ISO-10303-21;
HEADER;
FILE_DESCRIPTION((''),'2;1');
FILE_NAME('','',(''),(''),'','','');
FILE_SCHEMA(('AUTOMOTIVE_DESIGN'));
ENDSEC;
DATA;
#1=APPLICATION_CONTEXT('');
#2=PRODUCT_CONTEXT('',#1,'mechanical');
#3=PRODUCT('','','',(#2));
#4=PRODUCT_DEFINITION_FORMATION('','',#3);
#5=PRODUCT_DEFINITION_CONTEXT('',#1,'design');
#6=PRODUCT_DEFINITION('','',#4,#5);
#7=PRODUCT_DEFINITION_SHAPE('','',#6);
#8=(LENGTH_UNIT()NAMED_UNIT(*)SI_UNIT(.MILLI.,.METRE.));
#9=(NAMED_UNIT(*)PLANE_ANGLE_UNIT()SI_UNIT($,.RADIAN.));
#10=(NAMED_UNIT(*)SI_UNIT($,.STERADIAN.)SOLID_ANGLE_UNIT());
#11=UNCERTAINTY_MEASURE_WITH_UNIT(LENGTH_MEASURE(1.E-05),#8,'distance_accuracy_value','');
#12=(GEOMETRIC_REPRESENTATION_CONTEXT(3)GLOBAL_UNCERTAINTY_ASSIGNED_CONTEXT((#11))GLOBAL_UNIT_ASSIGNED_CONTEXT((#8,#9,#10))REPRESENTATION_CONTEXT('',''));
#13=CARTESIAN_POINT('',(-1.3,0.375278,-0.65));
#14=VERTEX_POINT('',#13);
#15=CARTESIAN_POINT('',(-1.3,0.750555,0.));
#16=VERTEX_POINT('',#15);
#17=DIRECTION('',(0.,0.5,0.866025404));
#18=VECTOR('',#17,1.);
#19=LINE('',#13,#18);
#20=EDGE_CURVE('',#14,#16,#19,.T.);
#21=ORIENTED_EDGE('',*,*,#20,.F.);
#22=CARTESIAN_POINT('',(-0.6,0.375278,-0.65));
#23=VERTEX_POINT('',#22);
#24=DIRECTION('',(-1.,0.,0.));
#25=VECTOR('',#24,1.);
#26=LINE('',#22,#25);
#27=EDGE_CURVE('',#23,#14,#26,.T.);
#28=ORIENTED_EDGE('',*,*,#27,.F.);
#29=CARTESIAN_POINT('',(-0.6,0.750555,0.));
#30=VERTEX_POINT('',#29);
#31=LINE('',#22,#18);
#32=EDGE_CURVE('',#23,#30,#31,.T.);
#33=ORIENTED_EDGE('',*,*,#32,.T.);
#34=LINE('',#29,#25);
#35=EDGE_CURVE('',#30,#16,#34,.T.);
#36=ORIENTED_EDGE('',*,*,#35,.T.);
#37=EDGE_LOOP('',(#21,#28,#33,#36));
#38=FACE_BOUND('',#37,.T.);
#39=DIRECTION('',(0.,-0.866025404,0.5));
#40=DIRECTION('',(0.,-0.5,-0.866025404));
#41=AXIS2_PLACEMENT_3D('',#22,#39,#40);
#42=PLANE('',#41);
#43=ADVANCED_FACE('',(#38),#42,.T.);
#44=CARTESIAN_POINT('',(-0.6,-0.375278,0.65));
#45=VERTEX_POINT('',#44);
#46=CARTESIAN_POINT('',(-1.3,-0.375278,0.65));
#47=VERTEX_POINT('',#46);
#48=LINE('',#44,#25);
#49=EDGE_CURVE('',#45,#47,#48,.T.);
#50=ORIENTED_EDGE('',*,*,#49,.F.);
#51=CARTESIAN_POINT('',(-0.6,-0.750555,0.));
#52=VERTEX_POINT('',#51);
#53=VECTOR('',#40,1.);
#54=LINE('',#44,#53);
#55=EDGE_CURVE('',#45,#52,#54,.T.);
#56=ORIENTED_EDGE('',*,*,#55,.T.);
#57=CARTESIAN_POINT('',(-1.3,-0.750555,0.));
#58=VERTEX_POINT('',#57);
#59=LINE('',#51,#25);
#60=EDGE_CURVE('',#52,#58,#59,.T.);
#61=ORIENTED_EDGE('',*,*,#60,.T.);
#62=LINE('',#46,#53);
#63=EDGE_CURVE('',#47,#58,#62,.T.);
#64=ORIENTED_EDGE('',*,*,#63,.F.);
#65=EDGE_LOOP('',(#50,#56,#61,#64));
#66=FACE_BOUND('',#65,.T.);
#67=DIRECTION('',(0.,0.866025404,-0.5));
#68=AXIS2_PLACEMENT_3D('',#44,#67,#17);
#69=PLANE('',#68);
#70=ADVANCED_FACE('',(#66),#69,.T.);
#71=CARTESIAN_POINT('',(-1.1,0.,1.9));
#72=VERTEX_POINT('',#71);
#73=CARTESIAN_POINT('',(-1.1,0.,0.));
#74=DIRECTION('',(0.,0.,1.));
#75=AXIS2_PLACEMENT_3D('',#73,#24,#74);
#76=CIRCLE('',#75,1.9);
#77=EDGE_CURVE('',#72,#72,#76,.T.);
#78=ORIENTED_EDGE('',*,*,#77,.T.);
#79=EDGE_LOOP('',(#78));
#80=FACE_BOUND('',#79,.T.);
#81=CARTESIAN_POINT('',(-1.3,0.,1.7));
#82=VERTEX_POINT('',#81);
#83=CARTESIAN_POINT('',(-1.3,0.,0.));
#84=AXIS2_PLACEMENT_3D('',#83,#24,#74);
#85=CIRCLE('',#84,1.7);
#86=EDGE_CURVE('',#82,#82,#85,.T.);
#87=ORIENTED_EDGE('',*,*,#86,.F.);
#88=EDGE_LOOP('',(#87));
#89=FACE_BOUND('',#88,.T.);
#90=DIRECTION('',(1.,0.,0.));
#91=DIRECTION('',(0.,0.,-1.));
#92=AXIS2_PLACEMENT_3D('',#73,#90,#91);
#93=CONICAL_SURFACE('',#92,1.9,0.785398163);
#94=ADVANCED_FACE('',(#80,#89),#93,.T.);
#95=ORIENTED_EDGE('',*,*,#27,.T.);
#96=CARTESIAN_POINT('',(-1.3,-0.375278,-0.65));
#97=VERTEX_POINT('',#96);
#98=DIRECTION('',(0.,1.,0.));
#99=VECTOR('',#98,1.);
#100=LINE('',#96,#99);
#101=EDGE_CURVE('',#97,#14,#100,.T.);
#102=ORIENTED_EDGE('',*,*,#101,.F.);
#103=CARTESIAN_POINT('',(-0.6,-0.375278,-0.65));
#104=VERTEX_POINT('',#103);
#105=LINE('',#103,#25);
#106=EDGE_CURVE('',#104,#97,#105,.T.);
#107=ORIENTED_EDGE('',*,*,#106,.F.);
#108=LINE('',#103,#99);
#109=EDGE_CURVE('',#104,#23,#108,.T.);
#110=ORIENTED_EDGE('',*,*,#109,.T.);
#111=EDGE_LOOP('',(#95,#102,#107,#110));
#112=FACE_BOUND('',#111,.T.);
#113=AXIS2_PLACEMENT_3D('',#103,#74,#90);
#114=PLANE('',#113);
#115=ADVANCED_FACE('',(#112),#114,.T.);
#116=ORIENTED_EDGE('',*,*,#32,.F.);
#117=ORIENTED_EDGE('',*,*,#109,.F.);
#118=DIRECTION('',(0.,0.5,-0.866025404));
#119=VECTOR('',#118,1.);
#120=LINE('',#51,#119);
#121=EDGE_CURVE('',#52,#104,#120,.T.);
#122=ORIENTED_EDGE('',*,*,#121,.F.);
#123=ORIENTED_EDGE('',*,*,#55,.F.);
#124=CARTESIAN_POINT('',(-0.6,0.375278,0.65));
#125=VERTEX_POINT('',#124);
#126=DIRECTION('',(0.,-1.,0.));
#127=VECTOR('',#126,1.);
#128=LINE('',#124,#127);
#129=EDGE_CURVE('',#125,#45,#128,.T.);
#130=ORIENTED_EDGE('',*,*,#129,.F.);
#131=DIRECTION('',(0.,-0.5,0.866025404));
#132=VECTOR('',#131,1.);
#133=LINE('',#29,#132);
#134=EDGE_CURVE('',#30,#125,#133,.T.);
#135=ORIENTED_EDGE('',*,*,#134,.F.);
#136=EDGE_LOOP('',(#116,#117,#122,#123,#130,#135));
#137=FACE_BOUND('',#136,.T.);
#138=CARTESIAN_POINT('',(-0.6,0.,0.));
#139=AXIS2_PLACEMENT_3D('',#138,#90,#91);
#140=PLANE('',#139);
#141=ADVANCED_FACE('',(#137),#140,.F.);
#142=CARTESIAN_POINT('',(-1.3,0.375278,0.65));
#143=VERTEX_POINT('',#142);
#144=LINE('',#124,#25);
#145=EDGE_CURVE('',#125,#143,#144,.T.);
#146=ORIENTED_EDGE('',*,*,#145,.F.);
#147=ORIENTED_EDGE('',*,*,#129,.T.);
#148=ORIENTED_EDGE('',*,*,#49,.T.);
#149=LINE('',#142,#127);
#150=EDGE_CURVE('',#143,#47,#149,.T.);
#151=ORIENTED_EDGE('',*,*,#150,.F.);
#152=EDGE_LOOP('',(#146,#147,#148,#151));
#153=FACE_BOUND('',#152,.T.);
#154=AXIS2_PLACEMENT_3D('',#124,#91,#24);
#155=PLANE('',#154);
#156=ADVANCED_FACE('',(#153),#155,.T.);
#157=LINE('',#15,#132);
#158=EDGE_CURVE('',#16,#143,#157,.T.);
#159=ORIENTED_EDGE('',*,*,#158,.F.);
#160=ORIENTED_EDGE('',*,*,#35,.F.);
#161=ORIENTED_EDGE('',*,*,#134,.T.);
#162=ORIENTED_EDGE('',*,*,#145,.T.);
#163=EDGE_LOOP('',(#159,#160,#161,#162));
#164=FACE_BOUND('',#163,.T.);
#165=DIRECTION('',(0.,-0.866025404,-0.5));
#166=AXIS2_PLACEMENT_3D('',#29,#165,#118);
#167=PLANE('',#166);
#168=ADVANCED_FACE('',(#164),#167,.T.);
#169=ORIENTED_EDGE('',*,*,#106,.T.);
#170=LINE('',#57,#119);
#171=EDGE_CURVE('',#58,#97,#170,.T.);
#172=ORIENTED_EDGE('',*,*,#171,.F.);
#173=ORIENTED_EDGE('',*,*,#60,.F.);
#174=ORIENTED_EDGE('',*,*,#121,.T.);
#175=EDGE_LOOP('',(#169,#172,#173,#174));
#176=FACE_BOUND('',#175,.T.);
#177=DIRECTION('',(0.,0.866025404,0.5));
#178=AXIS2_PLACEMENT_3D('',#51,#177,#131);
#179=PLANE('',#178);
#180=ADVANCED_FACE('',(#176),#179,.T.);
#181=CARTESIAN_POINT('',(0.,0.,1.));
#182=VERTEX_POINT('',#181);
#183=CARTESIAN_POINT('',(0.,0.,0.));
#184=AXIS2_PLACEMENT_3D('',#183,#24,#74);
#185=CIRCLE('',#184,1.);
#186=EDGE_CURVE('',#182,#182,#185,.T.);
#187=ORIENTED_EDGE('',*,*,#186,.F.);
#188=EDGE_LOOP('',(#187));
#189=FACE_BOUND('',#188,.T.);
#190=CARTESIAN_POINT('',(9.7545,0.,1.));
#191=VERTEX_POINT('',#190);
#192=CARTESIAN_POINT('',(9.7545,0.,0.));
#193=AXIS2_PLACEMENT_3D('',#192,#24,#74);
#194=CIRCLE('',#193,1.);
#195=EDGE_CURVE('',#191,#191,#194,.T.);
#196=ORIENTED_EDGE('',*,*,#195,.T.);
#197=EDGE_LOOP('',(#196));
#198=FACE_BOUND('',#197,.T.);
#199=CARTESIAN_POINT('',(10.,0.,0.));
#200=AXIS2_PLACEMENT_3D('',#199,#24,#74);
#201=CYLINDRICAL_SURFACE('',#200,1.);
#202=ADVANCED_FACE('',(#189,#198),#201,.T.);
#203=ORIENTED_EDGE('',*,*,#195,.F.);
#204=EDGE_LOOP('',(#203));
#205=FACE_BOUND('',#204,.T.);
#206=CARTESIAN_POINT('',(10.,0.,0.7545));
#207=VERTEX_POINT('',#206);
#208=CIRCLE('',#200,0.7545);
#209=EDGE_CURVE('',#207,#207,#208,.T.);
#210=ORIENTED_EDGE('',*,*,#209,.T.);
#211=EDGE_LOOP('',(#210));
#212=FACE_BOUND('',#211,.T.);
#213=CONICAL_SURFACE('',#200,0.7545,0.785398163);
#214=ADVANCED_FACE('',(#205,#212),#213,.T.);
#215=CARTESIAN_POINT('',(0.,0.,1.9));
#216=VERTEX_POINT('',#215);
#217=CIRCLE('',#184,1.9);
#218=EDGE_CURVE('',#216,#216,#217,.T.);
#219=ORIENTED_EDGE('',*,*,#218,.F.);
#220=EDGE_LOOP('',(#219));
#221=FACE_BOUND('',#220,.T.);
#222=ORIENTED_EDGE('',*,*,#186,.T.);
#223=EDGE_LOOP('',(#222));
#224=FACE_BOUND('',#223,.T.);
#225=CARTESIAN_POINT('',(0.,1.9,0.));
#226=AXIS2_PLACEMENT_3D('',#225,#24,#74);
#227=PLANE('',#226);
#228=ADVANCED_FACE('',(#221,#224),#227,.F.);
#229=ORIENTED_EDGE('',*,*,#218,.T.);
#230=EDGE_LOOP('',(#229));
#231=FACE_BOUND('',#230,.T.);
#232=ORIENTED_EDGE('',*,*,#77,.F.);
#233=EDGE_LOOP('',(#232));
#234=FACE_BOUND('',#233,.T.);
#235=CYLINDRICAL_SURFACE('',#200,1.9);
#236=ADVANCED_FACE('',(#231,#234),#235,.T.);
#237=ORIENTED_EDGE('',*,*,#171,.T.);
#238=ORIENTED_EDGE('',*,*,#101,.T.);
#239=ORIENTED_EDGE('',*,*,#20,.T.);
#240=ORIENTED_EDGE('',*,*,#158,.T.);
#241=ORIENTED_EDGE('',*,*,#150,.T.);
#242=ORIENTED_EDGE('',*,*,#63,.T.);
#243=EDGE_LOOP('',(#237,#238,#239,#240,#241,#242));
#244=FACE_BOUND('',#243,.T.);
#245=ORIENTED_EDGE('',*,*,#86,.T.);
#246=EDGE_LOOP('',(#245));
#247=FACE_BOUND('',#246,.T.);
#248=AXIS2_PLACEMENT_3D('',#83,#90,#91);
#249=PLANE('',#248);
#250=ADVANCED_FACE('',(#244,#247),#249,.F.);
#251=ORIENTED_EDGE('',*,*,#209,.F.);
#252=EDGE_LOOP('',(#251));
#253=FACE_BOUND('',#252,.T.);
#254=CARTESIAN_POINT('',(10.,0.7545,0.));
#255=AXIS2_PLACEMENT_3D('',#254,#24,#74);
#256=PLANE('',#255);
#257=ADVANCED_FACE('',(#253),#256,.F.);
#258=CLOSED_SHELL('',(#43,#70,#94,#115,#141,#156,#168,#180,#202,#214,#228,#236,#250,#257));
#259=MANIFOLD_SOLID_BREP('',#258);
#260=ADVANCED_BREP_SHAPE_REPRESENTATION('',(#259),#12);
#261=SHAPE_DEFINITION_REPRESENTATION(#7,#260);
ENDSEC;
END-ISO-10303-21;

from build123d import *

# Parameters (mm, degrees)
CUT_EXTRUDE1_DEPTH = 0.7


with BuildPart() as part:
    # Sketch1 → Revolve1 (revolve)
    with BuildSketch(Plane.XY):
        Polygon((-1.3, 0), (-1.3, 1.7), (-1.1, 1.9), (0, 1.9), (0, 1), (9.7545, 1), (10, 0.7545), (10, 0), align=None)
    revolve(axis=Axis((10, 0, 0), (-1, 0, 0)))

    # Sketch2 → Cut-Extrude1 (cut)
    with BuildSketch(Plane(origin=(-1.3, 0, 0), x_dir=(0, 0, -1), z_dir=(1, 0, 0))):
        Polygon((-0.65, -0.375277675), (0, -0.75055535), (0.65, -0.375277675), (0.65, 0.375277675), (0, 0.75055535), (-0.65, 0.375277675), align=None)
    extrude(amount=CUT_EXTRUDE1_DEPTH, mode=Mode.SUBTRACT)


solid = part.part
